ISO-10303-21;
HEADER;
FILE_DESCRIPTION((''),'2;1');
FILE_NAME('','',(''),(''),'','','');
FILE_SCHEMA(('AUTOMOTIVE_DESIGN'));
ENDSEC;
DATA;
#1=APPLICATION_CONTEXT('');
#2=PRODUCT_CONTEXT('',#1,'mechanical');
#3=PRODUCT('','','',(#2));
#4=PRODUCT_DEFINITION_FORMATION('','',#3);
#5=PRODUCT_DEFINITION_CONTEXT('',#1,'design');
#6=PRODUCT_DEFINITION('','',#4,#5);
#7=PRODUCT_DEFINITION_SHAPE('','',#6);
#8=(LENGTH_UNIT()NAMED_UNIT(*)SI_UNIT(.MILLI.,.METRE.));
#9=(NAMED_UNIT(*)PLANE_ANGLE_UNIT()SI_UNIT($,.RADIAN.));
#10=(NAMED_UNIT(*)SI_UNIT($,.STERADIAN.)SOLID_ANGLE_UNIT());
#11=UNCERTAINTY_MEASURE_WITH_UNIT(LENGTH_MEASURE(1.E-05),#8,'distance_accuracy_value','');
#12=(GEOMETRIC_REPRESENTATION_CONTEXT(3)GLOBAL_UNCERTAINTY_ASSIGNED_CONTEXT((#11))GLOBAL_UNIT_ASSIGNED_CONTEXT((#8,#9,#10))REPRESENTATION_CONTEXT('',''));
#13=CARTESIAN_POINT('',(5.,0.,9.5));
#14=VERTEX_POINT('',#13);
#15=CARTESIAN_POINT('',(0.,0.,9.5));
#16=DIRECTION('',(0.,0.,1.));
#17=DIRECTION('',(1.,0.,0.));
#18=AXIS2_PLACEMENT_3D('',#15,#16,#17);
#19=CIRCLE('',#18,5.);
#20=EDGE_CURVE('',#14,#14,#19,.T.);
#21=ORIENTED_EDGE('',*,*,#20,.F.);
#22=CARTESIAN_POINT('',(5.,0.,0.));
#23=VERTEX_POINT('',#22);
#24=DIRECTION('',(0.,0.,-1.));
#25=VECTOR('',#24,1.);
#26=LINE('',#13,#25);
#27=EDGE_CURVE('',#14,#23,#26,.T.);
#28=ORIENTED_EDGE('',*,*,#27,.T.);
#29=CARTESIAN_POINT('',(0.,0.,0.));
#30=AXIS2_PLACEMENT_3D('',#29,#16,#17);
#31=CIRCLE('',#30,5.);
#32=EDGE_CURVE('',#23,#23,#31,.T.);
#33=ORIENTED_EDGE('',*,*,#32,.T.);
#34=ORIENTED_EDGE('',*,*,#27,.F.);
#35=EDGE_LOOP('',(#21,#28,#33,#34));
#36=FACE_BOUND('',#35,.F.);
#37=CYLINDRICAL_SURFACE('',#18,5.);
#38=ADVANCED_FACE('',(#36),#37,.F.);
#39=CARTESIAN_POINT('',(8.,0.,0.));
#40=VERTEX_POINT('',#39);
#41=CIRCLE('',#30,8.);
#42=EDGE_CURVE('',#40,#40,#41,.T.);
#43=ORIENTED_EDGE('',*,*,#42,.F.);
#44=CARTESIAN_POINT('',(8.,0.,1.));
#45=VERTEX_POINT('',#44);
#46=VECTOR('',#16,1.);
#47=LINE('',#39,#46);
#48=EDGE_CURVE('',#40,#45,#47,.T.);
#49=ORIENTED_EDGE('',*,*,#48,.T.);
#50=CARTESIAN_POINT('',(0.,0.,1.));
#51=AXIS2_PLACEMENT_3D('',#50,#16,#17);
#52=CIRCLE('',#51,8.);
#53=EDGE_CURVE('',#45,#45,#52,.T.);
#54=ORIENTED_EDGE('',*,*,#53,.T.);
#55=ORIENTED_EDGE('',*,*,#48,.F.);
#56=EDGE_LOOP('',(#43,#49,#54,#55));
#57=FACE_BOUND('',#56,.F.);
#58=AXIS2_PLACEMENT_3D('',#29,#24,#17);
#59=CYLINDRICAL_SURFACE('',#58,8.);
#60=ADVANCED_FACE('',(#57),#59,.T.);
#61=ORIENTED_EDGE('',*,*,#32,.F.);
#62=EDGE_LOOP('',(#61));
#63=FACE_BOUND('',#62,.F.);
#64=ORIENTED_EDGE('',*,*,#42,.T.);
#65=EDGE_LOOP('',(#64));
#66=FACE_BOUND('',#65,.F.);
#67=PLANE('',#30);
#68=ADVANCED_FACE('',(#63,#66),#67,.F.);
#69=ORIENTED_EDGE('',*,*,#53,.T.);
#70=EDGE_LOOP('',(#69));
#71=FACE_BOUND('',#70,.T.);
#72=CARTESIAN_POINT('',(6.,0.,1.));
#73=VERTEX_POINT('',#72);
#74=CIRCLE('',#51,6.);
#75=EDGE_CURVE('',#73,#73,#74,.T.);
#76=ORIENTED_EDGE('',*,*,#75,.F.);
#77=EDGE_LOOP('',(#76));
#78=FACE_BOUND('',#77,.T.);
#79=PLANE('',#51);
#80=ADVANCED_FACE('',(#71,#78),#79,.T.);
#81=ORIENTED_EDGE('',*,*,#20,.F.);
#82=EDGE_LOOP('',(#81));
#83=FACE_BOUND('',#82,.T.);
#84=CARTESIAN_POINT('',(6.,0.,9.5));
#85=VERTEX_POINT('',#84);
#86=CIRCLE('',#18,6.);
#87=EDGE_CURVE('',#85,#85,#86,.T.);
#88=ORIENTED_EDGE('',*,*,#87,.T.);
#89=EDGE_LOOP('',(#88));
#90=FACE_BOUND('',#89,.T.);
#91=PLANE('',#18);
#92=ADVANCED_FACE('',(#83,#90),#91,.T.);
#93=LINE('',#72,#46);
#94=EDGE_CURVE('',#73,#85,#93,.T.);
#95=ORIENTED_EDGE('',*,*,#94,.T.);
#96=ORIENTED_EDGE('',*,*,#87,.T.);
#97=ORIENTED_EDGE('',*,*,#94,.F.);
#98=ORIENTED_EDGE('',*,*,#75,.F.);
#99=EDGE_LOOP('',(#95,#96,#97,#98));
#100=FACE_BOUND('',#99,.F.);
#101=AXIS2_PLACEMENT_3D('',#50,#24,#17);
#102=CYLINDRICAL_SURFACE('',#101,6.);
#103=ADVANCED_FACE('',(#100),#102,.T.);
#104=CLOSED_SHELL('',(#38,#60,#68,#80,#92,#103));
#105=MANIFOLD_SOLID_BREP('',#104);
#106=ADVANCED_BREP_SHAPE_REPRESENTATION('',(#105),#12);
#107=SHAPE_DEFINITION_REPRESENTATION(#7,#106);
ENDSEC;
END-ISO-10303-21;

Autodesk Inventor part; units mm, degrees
ref_plane "YZ Plane" through (0, 0, 0) normal (1, 0, 0) x (0, 1, 0)
ref_plane "XZ Plane" through (0, 0, 0) normal (0, 1, 0) x (-1, 0, 0)
ref_plane "XY Plane" through (0, 0, 0) normal (0, 0, 1) x (1, 0, 0)
sketch "Sketch1" plane through (0, 0, 0) normal (0, 0, 1) x (1, 0, 0)
  circle A0 centre (0, 0) radius 8
  dimension "d0" = 16
extrude "Extrusion1" add sketch "Sketch1" along normal blind 1
sketch "Sketch2" plane through (0, 0, 1) normal (0, 0, 1) x (1, 0, 0)
  circle A0 centre (0, 0) radius 6
  dimension "d3" = 12
extrude "Extrusion2" add sketch "Sketch2" along normal blind 8.5
sketch "Sketch3" plane through (0, 0, 9.5) normal (0, 0, 1) x (1, 0, 0)
  circle A0 centre (0, 0) radius 5
  dimension "d6" = 10
extrude "Extrusion3" cut sketch "Sketch3" against normal blind 10
properties part number "Druckhulse"
